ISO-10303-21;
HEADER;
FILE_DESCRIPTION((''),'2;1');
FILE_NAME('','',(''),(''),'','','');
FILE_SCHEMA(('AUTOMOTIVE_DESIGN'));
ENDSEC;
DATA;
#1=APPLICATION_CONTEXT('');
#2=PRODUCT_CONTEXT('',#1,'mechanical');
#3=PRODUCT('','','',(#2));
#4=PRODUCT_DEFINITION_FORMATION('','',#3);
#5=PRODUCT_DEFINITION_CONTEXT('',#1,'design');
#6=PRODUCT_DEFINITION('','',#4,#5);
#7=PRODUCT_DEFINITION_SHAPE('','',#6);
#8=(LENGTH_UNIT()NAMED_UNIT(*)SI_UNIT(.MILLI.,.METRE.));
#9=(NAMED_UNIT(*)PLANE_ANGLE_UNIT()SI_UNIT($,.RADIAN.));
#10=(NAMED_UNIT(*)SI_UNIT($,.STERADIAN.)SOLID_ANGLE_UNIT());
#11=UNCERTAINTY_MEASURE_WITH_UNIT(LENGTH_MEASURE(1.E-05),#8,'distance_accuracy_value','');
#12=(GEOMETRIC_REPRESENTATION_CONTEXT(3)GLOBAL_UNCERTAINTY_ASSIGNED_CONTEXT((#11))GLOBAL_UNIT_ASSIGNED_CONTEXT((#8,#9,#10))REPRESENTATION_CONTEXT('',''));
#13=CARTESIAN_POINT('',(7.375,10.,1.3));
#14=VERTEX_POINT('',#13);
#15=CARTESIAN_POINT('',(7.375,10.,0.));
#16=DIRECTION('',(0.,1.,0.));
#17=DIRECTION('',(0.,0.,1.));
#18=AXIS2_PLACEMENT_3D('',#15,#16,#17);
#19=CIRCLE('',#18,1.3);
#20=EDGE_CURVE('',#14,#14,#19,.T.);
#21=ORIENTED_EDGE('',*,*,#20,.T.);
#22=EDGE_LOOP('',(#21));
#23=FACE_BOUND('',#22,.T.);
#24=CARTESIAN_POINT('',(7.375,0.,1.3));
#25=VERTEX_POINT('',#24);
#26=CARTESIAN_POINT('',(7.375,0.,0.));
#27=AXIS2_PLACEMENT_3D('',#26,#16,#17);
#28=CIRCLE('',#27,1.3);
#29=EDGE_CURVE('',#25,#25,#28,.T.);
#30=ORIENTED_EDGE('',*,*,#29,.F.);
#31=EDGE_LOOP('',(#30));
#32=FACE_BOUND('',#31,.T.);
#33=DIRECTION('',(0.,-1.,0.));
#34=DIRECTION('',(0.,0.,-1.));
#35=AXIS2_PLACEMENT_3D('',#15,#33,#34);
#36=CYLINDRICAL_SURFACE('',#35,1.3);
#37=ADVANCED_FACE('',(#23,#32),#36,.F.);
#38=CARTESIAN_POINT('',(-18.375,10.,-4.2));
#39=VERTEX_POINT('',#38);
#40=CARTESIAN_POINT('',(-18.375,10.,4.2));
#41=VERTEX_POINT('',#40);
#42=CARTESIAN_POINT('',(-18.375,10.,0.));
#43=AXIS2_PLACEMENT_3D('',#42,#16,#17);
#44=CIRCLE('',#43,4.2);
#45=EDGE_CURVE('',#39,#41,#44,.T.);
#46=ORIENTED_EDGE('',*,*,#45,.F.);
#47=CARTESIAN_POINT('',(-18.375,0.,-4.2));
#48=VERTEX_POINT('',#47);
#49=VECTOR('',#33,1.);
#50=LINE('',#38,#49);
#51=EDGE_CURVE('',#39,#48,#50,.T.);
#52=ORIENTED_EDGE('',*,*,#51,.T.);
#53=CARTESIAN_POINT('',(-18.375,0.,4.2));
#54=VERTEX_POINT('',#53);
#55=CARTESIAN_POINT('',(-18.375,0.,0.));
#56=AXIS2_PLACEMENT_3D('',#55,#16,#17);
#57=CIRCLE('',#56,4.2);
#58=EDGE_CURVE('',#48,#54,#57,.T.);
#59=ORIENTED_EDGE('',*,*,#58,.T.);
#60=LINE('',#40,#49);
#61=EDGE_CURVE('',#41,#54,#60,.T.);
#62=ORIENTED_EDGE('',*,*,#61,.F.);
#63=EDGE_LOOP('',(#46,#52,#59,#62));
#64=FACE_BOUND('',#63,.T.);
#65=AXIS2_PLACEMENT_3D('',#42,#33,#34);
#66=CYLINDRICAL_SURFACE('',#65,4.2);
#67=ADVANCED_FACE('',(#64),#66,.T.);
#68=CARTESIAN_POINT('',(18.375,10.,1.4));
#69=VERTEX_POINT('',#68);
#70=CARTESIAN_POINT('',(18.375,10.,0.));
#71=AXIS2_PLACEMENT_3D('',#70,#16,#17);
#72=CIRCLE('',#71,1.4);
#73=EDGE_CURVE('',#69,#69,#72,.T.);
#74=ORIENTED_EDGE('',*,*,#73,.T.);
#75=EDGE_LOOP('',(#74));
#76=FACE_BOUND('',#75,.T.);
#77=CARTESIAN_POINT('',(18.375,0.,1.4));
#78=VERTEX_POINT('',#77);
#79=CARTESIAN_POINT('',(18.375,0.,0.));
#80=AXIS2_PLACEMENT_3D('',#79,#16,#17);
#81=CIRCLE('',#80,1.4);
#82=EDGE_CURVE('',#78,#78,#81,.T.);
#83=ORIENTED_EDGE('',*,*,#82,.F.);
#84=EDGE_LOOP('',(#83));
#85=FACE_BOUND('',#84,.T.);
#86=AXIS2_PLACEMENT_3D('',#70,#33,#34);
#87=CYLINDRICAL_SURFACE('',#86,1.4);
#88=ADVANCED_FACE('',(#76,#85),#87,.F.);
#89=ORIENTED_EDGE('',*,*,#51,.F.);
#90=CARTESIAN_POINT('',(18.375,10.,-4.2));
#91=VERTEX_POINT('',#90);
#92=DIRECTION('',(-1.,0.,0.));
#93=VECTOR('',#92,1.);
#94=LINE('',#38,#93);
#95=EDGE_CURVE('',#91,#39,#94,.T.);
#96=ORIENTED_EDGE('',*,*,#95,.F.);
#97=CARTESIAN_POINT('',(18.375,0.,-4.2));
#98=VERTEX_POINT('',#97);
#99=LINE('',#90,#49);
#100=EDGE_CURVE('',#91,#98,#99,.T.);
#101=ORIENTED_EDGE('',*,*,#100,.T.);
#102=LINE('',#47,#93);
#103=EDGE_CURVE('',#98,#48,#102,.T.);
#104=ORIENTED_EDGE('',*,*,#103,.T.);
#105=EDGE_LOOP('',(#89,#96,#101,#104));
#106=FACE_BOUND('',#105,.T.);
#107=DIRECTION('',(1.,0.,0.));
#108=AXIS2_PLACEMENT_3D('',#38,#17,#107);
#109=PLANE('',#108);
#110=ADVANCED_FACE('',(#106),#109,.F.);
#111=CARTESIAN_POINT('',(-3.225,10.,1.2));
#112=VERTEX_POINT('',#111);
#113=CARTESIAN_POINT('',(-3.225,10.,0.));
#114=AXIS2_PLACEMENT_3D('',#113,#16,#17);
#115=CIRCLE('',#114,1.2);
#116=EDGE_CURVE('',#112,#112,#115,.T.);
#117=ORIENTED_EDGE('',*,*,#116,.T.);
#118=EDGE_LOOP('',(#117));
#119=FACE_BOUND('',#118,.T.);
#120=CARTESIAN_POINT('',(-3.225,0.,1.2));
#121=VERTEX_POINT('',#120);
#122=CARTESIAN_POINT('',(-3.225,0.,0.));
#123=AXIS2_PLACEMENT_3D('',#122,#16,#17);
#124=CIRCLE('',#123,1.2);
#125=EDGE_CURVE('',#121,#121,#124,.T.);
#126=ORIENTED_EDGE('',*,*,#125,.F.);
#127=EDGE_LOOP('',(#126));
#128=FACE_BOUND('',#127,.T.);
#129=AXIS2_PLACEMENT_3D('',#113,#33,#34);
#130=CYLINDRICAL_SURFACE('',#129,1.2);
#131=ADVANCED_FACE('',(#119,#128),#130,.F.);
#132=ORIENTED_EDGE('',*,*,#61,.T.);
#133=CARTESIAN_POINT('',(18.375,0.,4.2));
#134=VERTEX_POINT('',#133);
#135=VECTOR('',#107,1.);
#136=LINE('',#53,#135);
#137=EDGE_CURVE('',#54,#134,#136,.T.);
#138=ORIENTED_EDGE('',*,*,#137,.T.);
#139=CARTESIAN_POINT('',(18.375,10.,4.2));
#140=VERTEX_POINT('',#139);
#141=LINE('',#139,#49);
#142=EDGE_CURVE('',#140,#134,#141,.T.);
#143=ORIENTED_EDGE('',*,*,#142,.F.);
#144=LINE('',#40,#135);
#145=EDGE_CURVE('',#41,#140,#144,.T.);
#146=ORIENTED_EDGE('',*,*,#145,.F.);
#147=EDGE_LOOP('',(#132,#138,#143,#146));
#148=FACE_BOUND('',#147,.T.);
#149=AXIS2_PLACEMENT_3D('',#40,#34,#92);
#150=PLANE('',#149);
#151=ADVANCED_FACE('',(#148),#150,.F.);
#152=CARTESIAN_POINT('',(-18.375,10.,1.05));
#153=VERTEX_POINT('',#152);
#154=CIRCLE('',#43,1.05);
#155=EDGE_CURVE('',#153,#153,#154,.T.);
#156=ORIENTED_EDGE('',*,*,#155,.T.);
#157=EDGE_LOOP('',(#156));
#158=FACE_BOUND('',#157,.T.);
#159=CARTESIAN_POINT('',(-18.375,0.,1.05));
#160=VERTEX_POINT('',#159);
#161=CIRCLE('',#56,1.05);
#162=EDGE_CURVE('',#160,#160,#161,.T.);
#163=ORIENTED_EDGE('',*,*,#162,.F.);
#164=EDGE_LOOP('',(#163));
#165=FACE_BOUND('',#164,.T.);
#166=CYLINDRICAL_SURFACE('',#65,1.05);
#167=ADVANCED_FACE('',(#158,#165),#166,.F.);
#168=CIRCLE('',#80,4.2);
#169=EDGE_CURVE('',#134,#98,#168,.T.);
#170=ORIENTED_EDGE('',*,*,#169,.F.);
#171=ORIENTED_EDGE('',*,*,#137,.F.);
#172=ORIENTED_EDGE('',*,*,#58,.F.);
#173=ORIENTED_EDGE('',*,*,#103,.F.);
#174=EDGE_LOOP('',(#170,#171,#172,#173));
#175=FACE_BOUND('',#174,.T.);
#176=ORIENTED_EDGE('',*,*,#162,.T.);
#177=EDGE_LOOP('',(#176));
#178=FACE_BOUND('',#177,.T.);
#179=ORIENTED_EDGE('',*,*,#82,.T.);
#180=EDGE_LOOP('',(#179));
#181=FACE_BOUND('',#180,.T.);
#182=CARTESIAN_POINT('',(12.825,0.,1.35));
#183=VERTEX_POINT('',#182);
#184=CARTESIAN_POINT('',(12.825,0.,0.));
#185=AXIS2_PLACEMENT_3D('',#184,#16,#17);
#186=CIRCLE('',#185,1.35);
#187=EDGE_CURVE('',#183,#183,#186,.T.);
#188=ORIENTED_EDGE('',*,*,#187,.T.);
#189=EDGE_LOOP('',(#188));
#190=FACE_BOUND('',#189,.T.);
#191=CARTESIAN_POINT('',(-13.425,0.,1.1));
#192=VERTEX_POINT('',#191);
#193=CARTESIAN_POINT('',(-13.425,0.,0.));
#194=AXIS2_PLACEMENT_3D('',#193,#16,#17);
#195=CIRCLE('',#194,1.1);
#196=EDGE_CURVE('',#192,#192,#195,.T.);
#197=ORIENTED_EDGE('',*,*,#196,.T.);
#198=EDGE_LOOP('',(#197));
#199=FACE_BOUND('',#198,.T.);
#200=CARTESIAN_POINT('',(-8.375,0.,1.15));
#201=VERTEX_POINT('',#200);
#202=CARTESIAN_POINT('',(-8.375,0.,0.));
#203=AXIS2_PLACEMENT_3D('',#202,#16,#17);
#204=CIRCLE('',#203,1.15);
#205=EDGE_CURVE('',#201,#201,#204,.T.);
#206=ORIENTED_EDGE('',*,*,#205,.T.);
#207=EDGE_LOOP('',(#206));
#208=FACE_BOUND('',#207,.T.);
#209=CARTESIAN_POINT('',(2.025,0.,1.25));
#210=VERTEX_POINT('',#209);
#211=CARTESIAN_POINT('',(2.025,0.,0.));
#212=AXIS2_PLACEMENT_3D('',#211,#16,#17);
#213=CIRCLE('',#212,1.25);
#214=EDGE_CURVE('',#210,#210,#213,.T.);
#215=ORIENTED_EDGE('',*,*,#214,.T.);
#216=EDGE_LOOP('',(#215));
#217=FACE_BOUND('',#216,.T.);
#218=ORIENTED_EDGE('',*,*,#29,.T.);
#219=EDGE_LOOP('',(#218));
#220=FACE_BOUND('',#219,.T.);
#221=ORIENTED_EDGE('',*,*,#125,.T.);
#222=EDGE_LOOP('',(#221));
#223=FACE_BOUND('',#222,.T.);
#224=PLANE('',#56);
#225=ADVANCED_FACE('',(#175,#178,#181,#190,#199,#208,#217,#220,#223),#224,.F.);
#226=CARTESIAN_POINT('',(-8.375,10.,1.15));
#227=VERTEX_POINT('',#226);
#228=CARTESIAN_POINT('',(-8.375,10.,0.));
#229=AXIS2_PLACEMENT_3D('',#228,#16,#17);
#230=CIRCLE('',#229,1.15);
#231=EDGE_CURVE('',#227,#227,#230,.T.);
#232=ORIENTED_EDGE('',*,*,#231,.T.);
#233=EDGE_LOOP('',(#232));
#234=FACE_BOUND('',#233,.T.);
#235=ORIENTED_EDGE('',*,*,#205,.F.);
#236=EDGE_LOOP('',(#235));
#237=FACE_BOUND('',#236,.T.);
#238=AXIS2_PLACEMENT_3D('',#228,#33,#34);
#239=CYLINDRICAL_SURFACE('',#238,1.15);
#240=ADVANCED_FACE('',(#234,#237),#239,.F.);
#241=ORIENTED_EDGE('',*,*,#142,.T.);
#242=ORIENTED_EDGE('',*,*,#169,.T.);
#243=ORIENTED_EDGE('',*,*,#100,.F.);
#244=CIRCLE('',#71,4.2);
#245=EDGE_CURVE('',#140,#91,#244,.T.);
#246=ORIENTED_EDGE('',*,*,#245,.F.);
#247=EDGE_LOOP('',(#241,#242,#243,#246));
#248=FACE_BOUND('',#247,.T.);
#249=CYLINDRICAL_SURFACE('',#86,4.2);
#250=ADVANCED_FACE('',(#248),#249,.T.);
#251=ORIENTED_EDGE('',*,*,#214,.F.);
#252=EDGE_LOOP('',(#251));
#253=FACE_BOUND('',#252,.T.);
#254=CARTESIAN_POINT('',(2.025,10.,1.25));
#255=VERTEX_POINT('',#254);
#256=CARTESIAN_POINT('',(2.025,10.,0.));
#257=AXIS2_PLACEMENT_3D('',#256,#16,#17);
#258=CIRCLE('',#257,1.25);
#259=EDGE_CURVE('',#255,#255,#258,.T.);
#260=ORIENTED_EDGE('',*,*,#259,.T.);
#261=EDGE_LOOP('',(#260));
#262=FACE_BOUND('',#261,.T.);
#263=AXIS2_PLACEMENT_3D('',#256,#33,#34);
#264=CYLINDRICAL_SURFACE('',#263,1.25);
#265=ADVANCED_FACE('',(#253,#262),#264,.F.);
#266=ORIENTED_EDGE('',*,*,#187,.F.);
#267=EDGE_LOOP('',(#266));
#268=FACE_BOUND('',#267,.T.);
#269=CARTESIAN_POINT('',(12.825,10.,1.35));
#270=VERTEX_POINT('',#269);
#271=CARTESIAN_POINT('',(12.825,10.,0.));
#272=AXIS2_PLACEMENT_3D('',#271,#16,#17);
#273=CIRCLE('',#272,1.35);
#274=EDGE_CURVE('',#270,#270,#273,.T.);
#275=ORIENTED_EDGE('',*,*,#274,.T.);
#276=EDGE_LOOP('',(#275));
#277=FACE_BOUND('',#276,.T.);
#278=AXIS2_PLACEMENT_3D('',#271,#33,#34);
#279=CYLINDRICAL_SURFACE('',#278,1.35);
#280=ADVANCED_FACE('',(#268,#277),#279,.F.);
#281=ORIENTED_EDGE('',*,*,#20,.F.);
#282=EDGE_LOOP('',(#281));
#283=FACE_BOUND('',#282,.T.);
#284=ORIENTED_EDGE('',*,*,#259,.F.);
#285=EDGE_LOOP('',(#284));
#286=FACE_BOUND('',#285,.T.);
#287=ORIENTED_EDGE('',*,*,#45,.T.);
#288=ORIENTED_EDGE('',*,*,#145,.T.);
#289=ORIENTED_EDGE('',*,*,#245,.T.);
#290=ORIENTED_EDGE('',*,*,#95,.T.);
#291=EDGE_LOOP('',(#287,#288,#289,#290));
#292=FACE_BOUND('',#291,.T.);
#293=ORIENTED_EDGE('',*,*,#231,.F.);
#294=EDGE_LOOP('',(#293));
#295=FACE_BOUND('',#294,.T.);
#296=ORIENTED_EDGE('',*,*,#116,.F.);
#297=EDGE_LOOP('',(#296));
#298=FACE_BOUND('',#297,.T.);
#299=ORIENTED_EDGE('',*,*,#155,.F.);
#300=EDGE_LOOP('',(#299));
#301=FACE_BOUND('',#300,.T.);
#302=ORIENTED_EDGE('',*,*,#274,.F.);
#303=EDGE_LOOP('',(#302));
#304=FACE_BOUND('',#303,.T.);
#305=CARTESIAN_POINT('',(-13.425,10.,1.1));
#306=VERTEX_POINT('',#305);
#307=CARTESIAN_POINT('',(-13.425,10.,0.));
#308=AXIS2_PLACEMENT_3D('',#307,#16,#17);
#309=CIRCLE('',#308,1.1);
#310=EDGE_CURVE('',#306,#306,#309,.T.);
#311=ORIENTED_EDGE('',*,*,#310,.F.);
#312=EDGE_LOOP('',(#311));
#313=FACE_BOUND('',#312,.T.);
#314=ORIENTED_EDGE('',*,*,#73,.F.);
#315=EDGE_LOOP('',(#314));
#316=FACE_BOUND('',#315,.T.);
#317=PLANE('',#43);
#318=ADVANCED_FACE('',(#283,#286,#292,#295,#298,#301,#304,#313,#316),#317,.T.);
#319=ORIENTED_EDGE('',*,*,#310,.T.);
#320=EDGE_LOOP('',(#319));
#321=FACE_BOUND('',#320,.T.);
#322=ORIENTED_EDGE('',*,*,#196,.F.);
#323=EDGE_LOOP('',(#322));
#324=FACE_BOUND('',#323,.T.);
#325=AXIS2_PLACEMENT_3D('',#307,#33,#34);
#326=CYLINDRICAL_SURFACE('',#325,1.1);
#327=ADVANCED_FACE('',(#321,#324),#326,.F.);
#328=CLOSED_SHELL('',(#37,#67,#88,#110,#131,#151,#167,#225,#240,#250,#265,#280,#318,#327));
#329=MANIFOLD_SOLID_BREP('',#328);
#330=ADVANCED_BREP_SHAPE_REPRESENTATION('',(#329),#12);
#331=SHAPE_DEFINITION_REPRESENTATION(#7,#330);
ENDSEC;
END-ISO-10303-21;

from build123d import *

# Parameters (mm, degrees)
SKETCH1_R           = 1.05
SKETCH1_R_2         = 1.1
SKETCH1_R_3         = 1.15
SKETCH1_R_4         = 1.2
SKETCH1_R_5         = 1.25
SKETCH1_R_6         = 1.4
SKETCH1_R_7         = 1.3
SKETCH1_R_8         = 1.35
BOSS_EXTRUDE1_DEPTH = 10


with BuildPart() as part:
    # Sketch1 → Boss-Extrude1 (new body)
    with BuildSketch(Plane(origin=(0, 0, 0), x_dir=(1, 0, 0), z_dir=(0, 1, 0))):
        with BuildLine():
            Line((-18.375, 4.2), (18.375, 4.2))
            ThreePointArc((18.375, 4.2), (22.575, 0), (18.375, -4.2))
            Line((18.375, -4.2), (-18.375, -4.2))
            ThreePointArc((-18.375, -4.2), (-22.575, 0), (-18.375, 4.2))
        make_face()
        with Locations(Location((-18.375, 0, 0), (0, 0, 270))):
            Circle(SKETCH1_R, mode=Mode.SUBTRACT)
        with Locations(Location((-13.425, 0, 0), (0, 0, 270))):
            Circle(SKETCH1_R_2, mode=Mode.SUBTRACT)
        with Locations(Location((-8.375, 0, 0), (0, 0, 270))):
            Circle(SKETCH1_R_3, mode=Mode.SUBTRACT)
        with Locations(Location((-3.225, 0, 0), (0, 0, 270))):
            Circle(SKETCH1_R_4, mode=Mode.SUBTRACT)
        with Locations(Location((2.025, 0, 0), (0, 0, 270))):
            Circle(SKETCH1_R_5, mode=Mode.SUBTRACT)
        with Locations(Location((18.375, 0, 0), (0, 0, 270))):
            Circle(SKETCH1_R_6, mode=Mode.SUBTRACT)
        with Locations(Location((7.375, 0, 0), (0, 0, 270))):
            Circle(SKETCH1_R_7, mode=Mode.SUBTRACT)
        with Locations(Location((12.825, 0, 0), (0, 0, 270))):
            Circle(SKETCH1_R_8, mode=Mode.SUBTRACT)
    extrude(amount=BOSS_EXTRUDE1_DEPTH)


solid = part.part
